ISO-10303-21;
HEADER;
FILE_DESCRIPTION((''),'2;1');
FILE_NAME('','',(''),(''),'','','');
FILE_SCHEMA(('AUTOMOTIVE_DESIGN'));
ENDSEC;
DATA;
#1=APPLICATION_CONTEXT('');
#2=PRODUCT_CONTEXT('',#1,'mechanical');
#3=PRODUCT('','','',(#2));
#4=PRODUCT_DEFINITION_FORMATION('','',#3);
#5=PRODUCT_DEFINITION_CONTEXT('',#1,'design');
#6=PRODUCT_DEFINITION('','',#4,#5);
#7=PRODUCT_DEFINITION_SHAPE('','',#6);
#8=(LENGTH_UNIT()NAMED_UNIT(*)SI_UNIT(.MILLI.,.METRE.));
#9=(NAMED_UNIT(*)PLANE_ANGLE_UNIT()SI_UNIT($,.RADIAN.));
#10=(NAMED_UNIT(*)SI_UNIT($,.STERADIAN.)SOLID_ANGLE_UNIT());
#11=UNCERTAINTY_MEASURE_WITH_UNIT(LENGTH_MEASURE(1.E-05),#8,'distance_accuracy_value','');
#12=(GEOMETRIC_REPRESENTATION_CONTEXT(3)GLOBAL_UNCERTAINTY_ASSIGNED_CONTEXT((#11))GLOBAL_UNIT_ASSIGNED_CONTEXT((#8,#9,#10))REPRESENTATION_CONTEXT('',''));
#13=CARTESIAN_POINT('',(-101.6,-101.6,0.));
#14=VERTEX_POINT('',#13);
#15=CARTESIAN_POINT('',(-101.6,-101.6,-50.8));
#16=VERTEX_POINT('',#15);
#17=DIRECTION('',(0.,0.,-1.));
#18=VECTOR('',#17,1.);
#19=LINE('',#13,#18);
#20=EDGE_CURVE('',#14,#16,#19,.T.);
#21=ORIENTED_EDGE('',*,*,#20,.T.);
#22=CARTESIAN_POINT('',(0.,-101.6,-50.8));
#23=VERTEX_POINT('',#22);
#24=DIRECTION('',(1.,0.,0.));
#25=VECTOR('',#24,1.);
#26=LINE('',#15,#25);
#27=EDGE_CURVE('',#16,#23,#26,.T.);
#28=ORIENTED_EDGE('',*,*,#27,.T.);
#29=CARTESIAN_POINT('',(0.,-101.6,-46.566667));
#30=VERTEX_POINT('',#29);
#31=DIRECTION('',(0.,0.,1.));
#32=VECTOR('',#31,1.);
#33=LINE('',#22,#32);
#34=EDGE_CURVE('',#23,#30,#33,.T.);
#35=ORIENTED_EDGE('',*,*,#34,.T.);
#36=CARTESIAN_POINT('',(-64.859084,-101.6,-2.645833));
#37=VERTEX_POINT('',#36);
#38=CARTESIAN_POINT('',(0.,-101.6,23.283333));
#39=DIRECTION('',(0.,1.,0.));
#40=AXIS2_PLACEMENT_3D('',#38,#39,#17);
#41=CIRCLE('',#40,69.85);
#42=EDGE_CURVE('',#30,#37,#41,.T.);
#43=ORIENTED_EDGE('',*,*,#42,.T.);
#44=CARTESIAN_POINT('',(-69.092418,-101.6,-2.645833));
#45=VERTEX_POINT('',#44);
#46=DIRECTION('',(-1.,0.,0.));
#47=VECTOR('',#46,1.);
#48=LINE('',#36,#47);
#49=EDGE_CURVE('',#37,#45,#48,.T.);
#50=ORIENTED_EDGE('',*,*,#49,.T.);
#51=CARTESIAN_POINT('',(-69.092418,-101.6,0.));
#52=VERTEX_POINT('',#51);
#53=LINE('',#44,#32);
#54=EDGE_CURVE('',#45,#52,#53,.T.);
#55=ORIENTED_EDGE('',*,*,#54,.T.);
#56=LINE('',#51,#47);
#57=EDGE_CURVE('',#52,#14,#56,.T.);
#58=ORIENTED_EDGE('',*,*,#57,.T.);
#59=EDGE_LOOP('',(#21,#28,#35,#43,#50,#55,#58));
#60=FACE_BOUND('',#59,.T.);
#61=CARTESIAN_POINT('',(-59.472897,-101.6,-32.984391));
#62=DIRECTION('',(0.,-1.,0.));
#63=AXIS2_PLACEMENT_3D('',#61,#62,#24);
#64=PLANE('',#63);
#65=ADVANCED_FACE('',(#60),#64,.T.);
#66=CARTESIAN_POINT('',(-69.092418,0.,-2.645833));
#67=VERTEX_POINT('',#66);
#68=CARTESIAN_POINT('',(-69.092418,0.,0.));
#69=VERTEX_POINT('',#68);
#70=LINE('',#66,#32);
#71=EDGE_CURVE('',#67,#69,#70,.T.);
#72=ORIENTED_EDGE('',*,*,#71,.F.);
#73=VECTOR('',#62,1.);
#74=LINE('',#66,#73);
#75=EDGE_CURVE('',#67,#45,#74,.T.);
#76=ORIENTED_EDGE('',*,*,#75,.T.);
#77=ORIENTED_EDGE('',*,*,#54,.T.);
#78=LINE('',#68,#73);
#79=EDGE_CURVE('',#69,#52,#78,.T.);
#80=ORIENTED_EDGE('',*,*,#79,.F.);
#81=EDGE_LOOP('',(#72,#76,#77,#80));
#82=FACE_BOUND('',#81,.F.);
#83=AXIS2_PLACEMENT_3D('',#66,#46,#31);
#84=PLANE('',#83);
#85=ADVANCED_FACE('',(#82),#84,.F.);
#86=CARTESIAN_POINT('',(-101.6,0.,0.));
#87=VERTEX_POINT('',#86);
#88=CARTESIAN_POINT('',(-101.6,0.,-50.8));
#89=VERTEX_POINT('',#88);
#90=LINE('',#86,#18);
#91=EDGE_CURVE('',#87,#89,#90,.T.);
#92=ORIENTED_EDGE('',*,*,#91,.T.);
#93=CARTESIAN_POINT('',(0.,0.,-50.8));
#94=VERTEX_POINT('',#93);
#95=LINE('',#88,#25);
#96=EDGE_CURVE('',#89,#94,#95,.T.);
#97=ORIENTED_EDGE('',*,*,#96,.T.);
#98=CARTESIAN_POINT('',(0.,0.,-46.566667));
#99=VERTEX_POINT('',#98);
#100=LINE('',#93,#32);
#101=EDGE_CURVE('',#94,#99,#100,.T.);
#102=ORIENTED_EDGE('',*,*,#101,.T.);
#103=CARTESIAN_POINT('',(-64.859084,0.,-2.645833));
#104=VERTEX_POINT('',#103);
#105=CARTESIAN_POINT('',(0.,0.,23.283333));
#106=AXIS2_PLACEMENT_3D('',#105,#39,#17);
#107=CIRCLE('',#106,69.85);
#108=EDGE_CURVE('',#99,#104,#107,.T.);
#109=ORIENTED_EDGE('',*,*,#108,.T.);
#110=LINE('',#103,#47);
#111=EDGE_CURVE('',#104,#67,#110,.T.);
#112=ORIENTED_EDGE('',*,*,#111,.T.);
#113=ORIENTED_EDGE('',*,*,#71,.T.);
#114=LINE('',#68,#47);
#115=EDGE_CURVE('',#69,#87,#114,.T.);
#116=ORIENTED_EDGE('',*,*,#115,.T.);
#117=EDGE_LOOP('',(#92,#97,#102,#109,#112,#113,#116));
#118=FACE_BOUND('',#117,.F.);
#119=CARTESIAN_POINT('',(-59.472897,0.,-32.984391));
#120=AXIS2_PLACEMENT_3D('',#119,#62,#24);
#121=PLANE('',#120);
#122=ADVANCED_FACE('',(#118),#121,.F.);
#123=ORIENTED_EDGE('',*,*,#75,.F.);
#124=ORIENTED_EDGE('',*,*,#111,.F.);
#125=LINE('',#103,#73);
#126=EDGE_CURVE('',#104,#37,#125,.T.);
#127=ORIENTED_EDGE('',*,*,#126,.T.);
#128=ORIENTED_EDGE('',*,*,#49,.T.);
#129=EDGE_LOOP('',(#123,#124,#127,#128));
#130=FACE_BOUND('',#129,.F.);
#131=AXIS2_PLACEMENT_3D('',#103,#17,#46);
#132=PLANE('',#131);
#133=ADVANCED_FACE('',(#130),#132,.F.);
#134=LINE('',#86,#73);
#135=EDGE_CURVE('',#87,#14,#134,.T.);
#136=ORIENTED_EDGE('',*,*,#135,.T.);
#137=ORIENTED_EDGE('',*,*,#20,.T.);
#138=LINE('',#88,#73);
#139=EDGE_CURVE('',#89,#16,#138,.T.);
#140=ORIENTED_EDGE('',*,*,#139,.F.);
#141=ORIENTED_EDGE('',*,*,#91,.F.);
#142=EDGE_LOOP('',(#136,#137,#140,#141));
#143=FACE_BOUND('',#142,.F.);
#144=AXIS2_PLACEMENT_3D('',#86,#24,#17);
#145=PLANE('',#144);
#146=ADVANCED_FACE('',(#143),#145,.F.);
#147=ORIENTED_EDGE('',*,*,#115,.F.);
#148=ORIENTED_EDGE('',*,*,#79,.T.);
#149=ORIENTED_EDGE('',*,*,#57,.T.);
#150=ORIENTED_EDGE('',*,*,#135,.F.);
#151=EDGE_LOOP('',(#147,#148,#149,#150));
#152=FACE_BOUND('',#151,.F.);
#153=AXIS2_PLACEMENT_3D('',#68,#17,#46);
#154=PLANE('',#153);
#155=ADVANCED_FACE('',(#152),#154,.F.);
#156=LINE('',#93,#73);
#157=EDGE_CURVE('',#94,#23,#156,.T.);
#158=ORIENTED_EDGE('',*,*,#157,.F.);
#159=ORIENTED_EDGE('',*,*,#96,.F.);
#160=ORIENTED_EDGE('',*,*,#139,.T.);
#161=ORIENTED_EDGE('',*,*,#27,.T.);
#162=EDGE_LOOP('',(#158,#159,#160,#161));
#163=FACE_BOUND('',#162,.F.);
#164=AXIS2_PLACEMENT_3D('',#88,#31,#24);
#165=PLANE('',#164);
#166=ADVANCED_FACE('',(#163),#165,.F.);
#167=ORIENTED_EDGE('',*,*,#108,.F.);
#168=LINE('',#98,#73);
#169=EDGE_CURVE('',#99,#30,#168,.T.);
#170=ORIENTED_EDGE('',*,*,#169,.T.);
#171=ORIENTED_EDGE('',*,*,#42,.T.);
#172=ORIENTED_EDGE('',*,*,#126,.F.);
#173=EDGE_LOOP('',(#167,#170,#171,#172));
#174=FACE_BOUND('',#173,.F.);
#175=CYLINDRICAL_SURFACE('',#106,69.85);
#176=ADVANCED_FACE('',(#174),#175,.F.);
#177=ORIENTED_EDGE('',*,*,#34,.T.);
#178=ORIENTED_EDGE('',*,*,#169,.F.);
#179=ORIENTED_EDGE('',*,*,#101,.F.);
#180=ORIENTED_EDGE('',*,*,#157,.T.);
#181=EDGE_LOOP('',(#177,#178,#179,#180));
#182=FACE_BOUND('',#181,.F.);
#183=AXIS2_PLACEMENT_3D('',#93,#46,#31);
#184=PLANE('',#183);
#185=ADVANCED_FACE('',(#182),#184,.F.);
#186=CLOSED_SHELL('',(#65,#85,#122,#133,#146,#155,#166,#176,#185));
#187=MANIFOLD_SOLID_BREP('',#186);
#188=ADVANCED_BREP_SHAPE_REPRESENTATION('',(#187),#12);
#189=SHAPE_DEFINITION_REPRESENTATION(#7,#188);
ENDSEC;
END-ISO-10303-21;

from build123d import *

# Parameters (mm, degrees)
F1_DEPTH = 101.6


with BuildPart() as f1:
    # F0 (on Front) → F1 (new body)
    with BuildSketch(Plane.XZ):
        with BuildLine():
            Line((0, -50.8), (0, -46.5666666667))
            ThreePointArc((0, -46.5666666667), (-39.1654835814, -34.5533971745), (-64.859084298, -2.6458333333))
            Line((-64.859084298, -2.6458333333), (-69.0924176313, -2.6458333333))
            Line((-69.0924176313, -2.6458333333), (-69.0924176313, 0))
            Line((-69.0924176313, 0), (-101.6, 0))
            Line((-101.6, 0), (-101.6, -50.8))
            Line((-101.6, -50.8), (0, -50.8))
        make_face()
    extrude(amount=F1_DEPTH)


solid = f1.part
